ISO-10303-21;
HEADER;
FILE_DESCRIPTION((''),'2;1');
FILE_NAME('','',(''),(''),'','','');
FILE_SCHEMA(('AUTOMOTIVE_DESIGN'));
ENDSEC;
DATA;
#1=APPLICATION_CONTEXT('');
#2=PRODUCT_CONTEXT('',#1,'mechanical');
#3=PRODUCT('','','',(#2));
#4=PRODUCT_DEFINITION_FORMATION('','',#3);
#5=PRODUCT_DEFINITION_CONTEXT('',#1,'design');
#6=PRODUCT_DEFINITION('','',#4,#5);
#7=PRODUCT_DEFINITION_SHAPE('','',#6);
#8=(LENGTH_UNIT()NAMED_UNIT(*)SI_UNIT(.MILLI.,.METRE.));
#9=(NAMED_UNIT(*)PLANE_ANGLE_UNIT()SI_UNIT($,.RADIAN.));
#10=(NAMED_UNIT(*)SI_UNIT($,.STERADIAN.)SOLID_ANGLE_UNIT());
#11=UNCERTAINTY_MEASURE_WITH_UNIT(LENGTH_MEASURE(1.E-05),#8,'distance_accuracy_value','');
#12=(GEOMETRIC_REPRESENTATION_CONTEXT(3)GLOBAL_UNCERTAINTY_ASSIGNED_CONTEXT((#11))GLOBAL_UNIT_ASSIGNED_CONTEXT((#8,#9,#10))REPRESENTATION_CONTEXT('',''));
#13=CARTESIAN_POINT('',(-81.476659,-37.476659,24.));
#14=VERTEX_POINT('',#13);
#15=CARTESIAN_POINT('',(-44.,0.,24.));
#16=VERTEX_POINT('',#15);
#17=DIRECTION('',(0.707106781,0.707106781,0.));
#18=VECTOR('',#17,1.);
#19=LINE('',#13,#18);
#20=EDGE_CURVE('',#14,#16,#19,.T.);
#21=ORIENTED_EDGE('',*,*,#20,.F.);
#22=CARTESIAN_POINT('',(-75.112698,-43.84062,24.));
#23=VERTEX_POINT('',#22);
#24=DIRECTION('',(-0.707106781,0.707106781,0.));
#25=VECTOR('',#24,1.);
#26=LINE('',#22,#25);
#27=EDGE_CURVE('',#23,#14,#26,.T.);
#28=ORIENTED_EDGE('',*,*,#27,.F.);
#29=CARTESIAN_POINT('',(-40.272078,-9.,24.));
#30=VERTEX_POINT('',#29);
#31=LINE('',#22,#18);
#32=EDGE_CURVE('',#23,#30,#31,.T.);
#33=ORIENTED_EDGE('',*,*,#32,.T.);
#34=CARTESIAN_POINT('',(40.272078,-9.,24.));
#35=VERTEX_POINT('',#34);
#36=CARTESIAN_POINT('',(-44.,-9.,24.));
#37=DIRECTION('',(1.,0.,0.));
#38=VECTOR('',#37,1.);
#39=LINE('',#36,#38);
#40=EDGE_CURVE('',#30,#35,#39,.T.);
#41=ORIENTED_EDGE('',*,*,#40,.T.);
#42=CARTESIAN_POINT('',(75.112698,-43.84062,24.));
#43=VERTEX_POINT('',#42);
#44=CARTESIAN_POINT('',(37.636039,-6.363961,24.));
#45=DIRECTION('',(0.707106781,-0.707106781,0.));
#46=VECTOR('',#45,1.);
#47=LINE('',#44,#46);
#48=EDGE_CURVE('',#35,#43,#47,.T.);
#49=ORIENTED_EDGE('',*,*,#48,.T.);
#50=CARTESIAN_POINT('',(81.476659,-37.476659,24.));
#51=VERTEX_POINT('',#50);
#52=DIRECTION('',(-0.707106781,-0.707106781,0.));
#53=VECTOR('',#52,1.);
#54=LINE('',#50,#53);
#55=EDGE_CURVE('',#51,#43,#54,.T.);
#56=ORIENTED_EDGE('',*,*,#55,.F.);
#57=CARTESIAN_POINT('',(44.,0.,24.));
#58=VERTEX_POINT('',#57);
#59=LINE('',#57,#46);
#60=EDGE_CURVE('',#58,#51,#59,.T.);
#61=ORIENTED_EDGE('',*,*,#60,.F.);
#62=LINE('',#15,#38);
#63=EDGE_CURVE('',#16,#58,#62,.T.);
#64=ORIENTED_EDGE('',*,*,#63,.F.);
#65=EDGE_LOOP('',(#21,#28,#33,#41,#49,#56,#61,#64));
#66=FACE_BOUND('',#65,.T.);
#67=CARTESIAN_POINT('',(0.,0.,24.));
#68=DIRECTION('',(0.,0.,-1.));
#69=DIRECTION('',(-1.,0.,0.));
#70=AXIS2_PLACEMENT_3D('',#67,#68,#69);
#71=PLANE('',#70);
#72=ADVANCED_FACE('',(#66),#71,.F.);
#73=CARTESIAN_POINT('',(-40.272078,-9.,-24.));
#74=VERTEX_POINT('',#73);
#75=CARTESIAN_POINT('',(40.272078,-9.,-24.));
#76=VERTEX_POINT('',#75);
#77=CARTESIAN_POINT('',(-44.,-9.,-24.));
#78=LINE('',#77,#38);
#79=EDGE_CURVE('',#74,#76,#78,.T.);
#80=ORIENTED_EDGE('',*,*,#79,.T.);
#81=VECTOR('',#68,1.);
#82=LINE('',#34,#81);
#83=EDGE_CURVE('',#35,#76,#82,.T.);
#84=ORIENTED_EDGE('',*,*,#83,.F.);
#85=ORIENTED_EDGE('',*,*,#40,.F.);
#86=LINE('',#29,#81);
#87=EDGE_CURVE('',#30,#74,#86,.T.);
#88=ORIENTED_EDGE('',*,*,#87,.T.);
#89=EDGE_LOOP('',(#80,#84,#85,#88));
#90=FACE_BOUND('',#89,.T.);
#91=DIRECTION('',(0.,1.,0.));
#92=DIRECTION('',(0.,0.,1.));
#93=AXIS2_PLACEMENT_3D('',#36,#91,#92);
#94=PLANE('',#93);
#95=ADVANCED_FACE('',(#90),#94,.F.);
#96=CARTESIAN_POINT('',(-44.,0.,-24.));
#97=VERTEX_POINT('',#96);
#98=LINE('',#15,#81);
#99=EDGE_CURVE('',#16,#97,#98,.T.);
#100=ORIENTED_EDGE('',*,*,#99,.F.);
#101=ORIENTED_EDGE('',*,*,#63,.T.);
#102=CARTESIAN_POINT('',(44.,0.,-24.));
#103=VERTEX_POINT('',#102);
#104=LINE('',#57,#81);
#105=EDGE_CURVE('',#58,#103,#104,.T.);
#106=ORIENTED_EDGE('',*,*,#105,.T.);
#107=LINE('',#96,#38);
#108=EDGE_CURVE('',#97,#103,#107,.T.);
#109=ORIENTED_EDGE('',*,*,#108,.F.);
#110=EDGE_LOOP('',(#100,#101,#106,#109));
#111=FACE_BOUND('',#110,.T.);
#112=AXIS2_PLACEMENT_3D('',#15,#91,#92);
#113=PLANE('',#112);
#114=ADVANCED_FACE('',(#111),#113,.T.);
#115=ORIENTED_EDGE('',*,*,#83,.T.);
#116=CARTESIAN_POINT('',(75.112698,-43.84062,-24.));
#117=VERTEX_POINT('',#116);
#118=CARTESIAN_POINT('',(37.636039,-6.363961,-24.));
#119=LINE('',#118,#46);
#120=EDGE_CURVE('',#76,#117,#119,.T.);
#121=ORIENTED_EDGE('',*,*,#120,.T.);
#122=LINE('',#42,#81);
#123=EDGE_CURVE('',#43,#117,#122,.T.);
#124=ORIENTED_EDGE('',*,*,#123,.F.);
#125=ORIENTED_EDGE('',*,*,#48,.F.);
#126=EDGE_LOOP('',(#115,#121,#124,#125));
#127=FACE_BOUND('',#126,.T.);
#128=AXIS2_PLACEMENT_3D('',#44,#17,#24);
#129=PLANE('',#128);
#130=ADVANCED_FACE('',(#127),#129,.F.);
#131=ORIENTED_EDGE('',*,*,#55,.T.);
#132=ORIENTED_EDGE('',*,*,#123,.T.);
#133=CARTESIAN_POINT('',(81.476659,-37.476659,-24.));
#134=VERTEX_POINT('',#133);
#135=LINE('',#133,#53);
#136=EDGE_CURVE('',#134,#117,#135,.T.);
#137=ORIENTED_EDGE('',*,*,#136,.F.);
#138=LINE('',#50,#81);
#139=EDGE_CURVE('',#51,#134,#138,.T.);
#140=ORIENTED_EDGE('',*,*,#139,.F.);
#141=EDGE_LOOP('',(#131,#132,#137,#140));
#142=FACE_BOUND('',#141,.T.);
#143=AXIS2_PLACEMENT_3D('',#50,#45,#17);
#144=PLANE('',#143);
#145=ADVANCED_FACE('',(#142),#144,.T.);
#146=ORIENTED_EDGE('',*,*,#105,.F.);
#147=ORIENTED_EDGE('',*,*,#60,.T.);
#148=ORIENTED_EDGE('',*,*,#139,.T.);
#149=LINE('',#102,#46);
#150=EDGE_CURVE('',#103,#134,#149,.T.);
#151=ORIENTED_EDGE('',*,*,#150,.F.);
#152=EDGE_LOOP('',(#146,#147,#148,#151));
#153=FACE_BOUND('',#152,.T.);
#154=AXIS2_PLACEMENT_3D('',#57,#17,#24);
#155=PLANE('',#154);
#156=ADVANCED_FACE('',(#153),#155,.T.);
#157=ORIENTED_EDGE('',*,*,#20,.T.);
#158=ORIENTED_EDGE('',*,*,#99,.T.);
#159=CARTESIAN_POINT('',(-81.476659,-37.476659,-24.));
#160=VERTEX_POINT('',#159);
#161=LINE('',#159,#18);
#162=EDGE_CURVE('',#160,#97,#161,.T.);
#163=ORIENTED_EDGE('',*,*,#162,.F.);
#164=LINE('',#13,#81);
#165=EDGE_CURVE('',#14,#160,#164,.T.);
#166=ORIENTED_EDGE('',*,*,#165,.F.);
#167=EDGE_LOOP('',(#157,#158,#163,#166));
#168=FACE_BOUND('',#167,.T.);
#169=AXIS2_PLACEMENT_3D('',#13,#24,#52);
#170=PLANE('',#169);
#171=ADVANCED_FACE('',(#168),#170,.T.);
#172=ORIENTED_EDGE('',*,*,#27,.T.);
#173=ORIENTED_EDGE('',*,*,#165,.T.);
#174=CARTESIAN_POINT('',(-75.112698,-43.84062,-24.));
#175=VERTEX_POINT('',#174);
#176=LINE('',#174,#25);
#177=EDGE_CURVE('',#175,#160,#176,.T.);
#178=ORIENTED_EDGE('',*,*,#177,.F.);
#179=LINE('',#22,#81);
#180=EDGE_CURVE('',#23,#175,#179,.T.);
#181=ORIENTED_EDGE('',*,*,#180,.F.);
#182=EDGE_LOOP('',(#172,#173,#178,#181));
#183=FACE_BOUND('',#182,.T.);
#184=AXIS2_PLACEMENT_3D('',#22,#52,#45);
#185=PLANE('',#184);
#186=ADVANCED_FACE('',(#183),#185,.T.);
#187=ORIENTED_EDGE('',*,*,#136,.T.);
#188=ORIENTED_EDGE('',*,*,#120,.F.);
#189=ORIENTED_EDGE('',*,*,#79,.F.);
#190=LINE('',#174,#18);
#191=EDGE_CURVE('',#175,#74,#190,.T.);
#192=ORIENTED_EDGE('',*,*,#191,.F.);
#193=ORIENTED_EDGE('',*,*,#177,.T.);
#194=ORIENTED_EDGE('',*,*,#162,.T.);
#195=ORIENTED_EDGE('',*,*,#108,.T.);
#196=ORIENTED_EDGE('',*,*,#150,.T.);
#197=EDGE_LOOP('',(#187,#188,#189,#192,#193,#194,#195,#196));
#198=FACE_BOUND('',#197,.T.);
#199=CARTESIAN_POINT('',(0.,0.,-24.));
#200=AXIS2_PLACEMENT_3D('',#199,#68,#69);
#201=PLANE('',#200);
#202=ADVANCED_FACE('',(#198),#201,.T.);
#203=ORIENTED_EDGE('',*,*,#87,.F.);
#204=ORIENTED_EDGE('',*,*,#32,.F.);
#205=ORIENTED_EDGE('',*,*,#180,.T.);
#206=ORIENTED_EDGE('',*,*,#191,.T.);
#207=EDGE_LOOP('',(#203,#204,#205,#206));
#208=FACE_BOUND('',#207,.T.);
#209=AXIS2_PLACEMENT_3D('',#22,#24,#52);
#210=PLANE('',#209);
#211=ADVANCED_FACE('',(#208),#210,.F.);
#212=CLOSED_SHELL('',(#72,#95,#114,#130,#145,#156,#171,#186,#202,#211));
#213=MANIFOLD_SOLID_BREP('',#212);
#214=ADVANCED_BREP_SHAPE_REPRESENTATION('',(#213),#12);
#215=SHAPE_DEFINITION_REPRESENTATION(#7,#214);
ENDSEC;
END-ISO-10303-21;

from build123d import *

# Parameters (mm, degrees)
EXTRUDE_THIN1_DEPTH = 24


with BuildPart() as part:
    # Sketch1 → Extrude-Thin1 (new body, symmetric)
    with BuildSketch(Plane.XY):
        Polygon((-81.476659403, -37.476659403), (-44, 0), (44, 0), (81.476659403, -37.476659403), (75.112698372, -43.840620434), (40.272077939, -9), (-40.272077939, -9), (-75.112698372, -43.840620434), align=None)
    extrude(amount=EXTRUDE_THIN1_DEPTH, both=True)


solid = part.part
